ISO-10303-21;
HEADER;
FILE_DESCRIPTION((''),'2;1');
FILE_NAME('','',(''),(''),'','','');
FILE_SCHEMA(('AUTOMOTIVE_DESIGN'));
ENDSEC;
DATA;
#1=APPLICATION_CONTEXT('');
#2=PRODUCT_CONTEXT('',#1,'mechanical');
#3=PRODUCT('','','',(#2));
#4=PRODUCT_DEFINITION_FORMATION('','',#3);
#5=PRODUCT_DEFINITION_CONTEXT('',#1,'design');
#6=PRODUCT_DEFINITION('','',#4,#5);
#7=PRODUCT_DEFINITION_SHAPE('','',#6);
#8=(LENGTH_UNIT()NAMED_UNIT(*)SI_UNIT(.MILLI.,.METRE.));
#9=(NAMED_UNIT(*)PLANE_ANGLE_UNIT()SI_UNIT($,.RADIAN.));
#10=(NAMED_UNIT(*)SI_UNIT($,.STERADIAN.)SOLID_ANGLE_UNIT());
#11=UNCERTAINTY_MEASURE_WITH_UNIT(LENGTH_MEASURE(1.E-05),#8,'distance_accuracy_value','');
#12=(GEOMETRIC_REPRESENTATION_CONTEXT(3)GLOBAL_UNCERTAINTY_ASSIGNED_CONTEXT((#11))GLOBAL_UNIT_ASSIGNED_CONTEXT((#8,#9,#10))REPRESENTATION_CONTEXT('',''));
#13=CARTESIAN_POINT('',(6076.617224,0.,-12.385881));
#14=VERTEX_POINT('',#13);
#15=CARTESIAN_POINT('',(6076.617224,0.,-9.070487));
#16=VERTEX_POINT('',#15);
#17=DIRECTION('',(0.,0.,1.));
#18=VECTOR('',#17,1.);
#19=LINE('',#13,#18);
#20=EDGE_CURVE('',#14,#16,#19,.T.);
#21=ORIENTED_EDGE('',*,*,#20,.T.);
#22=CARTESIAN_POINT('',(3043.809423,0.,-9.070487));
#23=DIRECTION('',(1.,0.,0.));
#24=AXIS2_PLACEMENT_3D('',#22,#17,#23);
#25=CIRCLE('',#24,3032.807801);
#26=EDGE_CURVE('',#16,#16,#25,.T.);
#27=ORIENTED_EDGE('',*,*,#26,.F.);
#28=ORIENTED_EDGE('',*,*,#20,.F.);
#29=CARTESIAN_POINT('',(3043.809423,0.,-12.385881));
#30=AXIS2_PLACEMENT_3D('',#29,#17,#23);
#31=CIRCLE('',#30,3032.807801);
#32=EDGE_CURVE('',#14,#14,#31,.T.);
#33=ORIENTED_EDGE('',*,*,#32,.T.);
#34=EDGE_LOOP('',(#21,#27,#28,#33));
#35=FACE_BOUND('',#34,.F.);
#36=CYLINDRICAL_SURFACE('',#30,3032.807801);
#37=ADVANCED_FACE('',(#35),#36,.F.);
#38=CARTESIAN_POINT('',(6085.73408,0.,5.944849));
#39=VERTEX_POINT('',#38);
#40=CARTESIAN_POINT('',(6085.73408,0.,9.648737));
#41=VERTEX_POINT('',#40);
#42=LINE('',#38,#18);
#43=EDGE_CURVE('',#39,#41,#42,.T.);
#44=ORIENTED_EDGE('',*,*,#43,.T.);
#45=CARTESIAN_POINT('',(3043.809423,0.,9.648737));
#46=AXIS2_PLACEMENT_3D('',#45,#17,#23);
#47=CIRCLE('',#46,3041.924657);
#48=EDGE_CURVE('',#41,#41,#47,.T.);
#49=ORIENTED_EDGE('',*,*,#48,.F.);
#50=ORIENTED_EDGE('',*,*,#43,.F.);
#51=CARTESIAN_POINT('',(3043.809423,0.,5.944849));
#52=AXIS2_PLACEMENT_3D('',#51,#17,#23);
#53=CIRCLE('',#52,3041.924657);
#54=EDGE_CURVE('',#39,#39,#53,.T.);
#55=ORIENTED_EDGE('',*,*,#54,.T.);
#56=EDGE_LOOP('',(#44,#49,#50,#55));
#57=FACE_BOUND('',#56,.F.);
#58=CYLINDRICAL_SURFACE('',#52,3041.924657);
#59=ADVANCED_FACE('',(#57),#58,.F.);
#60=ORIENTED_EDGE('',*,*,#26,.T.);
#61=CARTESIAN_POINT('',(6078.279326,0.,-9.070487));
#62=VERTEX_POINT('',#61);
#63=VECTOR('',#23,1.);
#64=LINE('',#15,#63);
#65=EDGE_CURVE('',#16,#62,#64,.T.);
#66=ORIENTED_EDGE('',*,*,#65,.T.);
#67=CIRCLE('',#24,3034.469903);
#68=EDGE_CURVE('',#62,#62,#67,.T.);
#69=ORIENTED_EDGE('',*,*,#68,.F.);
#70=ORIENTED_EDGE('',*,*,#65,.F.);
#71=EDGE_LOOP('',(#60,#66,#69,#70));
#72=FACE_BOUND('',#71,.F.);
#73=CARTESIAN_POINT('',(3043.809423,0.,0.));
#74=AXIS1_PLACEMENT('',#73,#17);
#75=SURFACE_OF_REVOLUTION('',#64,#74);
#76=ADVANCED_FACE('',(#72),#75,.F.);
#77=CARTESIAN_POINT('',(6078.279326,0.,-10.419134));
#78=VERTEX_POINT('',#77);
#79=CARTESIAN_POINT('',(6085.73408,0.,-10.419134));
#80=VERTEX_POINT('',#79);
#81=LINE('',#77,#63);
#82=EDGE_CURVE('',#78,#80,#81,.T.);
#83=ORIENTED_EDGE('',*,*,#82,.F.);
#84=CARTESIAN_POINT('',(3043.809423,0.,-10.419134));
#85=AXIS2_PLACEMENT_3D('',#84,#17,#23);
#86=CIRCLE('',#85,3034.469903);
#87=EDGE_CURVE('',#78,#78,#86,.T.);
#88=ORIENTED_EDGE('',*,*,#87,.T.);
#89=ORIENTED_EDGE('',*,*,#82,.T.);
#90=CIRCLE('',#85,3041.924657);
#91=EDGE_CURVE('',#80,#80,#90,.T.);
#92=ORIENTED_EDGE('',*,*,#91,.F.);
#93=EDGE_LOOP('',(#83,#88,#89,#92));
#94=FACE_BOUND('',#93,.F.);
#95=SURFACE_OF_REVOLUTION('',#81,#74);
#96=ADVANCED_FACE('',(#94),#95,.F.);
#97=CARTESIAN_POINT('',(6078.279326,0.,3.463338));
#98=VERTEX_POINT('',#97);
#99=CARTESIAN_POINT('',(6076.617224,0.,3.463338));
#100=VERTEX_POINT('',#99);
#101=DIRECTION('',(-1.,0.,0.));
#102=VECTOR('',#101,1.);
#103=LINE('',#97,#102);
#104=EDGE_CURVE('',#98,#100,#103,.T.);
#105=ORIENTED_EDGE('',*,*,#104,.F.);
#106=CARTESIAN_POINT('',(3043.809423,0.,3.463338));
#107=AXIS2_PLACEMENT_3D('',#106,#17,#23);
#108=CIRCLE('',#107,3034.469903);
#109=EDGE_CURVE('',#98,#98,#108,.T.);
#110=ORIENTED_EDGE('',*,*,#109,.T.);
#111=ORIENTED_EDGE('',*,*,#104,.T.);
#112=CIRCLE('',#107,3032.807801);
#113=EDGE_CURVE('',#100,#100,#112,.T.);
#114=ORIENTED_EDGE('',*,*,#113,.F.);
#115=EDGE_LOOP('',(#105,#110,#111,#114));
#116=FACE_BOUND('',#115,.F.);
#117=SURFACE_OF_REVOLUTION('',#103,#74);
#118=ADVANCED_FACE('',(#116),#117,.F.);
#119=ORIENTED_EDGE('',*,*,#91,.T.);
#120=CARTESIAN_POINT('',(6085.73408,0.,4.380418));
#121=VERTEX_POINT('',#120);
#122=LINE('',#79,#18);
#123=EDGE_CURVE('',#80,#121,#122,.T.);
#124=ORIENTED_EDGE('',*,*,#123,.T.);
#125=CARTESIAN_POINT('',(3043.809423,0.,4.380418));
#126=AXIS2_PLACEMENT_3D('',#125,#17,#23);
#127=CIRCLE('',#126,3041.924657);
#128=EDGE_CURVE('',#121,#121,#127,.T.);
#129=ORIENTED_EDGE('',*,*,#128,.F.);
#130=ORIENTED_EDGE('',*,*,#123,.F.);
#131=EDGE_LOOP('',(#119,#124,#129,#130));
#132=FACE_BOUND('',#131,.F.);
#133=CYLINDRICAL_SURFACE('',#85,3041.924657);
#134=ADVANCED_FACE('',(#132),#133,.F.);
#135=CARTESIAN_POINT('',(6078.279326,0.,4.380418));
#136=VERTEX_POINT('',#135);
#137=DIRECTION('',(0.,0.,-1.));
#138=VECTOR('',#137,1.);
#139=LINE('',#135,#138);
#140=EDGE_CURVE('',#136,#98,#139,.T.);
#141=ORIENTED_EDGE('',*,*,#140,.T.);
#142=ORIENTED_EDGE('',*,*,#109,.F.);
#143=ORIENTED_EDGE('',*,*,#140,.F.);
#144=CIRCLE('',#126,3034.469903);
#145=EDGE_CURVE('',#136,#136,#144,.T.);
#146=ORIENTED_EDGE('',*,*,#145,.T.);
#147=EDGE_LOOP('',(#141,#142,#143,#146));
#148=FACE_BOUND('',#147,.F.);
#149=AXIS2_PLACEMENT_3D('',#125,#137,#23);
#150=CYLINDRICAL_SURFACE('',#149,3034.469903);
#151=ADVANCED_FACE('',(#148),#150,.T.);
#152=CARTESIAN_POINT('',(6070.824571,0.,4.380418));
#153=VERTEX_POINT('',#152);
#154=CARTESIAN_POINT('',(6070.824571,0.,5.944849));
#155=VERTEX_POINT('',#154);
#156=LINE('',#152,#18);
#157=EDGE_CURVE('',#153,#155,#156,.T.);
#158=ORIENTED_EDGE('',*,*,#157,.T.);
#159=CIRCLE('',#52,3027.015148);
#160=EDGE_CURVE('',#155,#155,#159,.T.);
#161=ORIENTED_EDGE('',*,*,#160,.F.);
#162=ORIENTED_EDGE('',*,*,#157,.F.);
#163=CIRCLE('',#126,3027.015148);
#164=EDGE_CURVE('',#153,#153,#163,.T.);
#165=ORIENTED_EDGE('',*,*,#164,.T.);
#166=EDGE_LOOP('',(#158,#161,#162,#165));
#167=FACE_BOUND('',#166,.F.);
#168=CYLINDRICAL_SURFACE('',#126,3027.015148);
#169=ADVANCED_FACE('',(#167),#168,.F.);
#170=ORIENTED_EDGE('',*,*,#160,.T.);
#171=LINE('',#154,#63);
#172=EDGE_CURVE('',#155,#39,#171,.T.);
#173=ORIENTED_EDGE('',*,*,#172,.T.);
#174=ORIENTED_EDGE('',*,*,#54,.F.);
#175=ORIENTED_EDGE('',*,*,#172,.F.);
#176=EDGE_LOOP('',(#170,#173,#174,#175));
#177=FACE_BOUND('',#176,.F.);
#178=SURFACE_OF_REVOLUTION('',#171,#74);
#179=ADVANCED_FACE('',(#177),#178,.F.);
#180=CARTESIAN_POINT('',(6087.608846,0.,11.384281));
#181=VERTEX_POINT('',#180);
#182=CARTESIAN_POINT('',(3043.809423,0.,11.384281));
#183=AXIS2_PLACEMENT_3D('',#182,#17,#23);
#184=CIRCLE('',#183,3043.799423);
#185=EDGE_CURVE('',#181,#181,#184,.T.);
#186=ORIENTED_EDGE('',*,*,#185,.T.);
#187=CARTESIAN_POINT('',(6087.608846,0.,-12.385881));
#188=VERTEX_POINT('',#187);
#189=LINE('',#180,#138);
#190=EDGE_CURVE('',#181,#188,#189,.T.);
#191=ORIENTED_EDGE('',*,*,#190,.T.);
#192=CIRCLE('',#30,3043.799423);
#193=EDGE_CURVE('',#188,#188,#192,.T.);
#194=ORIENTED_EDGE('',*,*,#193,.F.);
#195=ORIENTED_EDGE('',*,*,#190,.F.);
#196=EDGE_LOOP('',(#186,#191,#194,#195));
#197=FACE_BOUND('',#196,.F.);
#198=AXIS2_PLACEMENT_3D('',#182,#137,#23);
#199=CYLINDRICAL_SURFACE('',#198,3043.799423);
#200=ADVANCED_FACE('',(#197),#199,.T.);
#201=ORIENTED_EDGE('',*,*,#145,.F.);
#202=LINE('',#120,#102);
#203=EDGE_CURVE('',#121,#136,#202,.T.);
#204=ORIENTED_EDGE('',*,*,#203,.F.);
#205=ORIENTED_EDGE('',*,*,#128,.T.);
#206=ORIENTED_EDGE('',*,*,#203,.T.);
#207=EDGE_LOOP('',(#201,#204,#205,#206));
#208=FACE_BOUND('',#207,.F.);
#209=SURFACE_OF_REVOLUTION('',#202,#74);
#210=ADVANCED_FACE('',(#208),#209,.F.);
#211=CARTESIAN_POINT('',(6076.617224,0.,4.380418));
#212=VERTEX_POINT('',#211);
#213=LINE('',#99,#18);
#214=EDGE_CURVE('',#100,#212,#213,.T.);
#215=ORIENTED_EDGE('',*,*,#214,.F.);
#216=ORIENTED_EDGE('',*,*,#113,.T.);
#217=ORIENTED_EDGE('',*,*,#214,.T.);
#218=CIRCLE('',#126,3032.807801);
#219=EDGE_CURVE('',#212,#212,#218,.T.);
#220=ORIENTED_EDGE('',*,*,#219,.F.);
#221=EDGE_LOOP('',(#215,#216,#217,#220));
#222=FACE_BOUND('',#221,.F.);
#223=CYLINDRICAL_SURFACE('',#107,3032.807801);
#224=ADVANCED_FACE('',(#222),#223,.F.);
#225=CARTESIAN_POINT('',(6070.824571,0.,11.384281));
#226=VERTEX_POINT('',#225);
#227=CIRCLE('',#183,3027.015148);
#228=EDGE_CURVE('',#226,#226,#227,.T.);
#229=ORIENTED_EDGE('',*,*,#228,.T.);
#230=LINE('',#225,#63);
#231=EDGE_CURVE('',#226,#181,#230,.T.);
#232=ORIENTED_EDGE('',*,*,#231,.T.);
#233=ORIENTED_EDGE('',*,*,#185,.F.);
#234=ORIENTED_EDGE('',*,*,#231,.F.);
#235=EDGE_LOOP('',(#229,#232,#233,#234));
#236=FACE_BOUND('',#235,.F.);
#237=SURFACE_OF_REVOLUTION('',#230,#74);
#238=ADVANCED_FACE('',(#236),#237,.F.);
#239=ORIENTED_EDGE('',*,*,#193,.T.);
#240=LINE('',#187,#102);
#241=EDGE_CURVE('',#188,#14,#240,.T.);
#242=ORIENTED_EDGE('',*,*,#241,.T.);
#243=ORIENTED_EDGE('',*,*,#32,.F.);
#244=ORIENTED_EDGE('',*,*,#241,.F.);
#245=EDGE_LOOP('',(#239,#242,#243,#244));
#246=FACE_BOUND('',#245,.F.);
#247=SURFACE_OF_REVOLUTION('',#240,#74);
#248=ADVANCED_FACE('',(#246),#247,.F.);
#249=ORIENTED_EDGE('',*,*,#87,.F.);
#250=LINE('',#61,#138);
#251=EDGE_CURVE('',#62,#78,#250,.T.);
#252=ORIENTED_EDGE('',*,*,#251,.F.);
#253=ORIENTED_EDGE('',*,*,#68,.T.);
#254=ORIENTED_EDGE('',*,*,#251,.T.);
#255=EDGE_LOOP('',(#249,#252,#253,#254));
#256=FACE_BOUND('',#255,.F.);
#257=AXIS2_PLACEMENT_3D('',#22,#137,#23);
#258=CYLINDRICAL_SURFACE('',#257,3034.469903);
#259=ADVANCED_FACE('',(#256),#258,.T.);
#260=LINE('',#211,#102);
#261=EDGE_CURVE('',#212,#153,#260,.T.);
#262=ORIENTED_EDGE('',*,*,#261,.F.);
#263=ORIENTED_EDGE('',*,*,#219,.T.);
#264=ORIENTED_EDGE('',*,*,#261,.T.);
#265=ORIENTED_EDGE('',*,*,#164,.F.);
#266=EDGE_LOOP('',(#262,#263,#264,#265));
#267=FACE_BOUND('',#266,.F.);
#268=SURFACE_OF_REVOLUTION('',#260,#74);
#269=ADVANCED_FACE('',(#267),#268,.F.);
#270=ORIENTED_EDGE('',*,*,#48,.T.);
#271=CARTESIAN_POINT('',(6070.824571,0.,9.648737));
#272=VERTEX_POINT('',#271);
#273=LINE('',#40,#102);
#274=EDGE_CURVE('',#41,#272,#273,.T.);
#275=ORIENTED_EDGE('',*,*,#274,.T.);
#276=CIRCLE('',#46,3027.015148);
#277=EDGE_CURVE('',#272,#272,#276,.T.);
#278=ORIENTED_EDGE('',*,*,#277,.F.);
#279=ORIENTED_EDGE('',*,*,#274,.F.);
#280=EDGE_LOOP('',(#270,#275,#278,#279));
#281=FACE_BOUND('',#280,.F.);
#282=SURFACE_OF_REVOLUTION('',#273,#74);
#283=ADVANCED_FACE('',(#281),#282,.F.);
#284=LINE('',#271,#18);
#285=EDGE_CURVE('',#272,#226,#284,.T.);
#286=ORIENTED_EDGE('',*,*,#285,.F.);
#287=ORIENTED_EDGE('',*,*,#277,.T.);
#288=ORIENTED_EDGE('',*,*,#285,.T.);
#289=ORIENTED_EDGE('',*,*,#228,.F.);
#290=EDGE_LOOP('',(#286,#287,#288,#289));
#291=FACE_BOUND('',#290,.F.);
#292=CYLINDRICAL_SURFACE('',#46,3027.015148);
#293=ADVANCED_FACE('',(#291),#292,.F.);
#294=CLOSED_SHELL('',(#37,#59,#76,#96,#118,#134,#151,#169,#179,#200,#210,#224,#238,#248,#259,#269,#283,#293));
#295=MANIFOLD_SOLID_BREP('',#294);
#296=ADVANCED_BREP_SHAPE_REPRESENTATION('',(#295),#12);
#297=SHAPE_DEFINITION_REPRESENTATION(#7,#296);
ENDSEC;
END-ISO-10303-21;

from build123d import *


with BuildPart() as f2:
    # F2: sweep along a path in F1
    with BuildLine(Plane.XY) as f2_path:
        CenterArc((3043.809423, 0), 3045, 0, 360)
    # F0 (on Front) → F2 (sweep)
    with BuildSketch(Plane.XZ):
        Polygon((16.794275, 11.384281), (0.01, 11.384281), (0.01, -12.385881), (11.001622, -12.385881), (11.001622, -10.419134), (11.001622, -9.070487), (9.33952, -9.070487), (9.33952, -10.419134), (1.884766, -10.419134), (1.884766, 4.380418), (9.33952, 4.380418), (9.33952, 3.463338), (11.001622, 3.463338), (11.001622, 4.380418), (16.794275, 4.380418), (16.794275, 5.944849), (1.884766, 5.944849), (1.884766, 7.544847), (1.884766, 9.648737), (16.794275, 9.648737), align=None)
    sweep(path=f2_path.line)


solid = f2.part
